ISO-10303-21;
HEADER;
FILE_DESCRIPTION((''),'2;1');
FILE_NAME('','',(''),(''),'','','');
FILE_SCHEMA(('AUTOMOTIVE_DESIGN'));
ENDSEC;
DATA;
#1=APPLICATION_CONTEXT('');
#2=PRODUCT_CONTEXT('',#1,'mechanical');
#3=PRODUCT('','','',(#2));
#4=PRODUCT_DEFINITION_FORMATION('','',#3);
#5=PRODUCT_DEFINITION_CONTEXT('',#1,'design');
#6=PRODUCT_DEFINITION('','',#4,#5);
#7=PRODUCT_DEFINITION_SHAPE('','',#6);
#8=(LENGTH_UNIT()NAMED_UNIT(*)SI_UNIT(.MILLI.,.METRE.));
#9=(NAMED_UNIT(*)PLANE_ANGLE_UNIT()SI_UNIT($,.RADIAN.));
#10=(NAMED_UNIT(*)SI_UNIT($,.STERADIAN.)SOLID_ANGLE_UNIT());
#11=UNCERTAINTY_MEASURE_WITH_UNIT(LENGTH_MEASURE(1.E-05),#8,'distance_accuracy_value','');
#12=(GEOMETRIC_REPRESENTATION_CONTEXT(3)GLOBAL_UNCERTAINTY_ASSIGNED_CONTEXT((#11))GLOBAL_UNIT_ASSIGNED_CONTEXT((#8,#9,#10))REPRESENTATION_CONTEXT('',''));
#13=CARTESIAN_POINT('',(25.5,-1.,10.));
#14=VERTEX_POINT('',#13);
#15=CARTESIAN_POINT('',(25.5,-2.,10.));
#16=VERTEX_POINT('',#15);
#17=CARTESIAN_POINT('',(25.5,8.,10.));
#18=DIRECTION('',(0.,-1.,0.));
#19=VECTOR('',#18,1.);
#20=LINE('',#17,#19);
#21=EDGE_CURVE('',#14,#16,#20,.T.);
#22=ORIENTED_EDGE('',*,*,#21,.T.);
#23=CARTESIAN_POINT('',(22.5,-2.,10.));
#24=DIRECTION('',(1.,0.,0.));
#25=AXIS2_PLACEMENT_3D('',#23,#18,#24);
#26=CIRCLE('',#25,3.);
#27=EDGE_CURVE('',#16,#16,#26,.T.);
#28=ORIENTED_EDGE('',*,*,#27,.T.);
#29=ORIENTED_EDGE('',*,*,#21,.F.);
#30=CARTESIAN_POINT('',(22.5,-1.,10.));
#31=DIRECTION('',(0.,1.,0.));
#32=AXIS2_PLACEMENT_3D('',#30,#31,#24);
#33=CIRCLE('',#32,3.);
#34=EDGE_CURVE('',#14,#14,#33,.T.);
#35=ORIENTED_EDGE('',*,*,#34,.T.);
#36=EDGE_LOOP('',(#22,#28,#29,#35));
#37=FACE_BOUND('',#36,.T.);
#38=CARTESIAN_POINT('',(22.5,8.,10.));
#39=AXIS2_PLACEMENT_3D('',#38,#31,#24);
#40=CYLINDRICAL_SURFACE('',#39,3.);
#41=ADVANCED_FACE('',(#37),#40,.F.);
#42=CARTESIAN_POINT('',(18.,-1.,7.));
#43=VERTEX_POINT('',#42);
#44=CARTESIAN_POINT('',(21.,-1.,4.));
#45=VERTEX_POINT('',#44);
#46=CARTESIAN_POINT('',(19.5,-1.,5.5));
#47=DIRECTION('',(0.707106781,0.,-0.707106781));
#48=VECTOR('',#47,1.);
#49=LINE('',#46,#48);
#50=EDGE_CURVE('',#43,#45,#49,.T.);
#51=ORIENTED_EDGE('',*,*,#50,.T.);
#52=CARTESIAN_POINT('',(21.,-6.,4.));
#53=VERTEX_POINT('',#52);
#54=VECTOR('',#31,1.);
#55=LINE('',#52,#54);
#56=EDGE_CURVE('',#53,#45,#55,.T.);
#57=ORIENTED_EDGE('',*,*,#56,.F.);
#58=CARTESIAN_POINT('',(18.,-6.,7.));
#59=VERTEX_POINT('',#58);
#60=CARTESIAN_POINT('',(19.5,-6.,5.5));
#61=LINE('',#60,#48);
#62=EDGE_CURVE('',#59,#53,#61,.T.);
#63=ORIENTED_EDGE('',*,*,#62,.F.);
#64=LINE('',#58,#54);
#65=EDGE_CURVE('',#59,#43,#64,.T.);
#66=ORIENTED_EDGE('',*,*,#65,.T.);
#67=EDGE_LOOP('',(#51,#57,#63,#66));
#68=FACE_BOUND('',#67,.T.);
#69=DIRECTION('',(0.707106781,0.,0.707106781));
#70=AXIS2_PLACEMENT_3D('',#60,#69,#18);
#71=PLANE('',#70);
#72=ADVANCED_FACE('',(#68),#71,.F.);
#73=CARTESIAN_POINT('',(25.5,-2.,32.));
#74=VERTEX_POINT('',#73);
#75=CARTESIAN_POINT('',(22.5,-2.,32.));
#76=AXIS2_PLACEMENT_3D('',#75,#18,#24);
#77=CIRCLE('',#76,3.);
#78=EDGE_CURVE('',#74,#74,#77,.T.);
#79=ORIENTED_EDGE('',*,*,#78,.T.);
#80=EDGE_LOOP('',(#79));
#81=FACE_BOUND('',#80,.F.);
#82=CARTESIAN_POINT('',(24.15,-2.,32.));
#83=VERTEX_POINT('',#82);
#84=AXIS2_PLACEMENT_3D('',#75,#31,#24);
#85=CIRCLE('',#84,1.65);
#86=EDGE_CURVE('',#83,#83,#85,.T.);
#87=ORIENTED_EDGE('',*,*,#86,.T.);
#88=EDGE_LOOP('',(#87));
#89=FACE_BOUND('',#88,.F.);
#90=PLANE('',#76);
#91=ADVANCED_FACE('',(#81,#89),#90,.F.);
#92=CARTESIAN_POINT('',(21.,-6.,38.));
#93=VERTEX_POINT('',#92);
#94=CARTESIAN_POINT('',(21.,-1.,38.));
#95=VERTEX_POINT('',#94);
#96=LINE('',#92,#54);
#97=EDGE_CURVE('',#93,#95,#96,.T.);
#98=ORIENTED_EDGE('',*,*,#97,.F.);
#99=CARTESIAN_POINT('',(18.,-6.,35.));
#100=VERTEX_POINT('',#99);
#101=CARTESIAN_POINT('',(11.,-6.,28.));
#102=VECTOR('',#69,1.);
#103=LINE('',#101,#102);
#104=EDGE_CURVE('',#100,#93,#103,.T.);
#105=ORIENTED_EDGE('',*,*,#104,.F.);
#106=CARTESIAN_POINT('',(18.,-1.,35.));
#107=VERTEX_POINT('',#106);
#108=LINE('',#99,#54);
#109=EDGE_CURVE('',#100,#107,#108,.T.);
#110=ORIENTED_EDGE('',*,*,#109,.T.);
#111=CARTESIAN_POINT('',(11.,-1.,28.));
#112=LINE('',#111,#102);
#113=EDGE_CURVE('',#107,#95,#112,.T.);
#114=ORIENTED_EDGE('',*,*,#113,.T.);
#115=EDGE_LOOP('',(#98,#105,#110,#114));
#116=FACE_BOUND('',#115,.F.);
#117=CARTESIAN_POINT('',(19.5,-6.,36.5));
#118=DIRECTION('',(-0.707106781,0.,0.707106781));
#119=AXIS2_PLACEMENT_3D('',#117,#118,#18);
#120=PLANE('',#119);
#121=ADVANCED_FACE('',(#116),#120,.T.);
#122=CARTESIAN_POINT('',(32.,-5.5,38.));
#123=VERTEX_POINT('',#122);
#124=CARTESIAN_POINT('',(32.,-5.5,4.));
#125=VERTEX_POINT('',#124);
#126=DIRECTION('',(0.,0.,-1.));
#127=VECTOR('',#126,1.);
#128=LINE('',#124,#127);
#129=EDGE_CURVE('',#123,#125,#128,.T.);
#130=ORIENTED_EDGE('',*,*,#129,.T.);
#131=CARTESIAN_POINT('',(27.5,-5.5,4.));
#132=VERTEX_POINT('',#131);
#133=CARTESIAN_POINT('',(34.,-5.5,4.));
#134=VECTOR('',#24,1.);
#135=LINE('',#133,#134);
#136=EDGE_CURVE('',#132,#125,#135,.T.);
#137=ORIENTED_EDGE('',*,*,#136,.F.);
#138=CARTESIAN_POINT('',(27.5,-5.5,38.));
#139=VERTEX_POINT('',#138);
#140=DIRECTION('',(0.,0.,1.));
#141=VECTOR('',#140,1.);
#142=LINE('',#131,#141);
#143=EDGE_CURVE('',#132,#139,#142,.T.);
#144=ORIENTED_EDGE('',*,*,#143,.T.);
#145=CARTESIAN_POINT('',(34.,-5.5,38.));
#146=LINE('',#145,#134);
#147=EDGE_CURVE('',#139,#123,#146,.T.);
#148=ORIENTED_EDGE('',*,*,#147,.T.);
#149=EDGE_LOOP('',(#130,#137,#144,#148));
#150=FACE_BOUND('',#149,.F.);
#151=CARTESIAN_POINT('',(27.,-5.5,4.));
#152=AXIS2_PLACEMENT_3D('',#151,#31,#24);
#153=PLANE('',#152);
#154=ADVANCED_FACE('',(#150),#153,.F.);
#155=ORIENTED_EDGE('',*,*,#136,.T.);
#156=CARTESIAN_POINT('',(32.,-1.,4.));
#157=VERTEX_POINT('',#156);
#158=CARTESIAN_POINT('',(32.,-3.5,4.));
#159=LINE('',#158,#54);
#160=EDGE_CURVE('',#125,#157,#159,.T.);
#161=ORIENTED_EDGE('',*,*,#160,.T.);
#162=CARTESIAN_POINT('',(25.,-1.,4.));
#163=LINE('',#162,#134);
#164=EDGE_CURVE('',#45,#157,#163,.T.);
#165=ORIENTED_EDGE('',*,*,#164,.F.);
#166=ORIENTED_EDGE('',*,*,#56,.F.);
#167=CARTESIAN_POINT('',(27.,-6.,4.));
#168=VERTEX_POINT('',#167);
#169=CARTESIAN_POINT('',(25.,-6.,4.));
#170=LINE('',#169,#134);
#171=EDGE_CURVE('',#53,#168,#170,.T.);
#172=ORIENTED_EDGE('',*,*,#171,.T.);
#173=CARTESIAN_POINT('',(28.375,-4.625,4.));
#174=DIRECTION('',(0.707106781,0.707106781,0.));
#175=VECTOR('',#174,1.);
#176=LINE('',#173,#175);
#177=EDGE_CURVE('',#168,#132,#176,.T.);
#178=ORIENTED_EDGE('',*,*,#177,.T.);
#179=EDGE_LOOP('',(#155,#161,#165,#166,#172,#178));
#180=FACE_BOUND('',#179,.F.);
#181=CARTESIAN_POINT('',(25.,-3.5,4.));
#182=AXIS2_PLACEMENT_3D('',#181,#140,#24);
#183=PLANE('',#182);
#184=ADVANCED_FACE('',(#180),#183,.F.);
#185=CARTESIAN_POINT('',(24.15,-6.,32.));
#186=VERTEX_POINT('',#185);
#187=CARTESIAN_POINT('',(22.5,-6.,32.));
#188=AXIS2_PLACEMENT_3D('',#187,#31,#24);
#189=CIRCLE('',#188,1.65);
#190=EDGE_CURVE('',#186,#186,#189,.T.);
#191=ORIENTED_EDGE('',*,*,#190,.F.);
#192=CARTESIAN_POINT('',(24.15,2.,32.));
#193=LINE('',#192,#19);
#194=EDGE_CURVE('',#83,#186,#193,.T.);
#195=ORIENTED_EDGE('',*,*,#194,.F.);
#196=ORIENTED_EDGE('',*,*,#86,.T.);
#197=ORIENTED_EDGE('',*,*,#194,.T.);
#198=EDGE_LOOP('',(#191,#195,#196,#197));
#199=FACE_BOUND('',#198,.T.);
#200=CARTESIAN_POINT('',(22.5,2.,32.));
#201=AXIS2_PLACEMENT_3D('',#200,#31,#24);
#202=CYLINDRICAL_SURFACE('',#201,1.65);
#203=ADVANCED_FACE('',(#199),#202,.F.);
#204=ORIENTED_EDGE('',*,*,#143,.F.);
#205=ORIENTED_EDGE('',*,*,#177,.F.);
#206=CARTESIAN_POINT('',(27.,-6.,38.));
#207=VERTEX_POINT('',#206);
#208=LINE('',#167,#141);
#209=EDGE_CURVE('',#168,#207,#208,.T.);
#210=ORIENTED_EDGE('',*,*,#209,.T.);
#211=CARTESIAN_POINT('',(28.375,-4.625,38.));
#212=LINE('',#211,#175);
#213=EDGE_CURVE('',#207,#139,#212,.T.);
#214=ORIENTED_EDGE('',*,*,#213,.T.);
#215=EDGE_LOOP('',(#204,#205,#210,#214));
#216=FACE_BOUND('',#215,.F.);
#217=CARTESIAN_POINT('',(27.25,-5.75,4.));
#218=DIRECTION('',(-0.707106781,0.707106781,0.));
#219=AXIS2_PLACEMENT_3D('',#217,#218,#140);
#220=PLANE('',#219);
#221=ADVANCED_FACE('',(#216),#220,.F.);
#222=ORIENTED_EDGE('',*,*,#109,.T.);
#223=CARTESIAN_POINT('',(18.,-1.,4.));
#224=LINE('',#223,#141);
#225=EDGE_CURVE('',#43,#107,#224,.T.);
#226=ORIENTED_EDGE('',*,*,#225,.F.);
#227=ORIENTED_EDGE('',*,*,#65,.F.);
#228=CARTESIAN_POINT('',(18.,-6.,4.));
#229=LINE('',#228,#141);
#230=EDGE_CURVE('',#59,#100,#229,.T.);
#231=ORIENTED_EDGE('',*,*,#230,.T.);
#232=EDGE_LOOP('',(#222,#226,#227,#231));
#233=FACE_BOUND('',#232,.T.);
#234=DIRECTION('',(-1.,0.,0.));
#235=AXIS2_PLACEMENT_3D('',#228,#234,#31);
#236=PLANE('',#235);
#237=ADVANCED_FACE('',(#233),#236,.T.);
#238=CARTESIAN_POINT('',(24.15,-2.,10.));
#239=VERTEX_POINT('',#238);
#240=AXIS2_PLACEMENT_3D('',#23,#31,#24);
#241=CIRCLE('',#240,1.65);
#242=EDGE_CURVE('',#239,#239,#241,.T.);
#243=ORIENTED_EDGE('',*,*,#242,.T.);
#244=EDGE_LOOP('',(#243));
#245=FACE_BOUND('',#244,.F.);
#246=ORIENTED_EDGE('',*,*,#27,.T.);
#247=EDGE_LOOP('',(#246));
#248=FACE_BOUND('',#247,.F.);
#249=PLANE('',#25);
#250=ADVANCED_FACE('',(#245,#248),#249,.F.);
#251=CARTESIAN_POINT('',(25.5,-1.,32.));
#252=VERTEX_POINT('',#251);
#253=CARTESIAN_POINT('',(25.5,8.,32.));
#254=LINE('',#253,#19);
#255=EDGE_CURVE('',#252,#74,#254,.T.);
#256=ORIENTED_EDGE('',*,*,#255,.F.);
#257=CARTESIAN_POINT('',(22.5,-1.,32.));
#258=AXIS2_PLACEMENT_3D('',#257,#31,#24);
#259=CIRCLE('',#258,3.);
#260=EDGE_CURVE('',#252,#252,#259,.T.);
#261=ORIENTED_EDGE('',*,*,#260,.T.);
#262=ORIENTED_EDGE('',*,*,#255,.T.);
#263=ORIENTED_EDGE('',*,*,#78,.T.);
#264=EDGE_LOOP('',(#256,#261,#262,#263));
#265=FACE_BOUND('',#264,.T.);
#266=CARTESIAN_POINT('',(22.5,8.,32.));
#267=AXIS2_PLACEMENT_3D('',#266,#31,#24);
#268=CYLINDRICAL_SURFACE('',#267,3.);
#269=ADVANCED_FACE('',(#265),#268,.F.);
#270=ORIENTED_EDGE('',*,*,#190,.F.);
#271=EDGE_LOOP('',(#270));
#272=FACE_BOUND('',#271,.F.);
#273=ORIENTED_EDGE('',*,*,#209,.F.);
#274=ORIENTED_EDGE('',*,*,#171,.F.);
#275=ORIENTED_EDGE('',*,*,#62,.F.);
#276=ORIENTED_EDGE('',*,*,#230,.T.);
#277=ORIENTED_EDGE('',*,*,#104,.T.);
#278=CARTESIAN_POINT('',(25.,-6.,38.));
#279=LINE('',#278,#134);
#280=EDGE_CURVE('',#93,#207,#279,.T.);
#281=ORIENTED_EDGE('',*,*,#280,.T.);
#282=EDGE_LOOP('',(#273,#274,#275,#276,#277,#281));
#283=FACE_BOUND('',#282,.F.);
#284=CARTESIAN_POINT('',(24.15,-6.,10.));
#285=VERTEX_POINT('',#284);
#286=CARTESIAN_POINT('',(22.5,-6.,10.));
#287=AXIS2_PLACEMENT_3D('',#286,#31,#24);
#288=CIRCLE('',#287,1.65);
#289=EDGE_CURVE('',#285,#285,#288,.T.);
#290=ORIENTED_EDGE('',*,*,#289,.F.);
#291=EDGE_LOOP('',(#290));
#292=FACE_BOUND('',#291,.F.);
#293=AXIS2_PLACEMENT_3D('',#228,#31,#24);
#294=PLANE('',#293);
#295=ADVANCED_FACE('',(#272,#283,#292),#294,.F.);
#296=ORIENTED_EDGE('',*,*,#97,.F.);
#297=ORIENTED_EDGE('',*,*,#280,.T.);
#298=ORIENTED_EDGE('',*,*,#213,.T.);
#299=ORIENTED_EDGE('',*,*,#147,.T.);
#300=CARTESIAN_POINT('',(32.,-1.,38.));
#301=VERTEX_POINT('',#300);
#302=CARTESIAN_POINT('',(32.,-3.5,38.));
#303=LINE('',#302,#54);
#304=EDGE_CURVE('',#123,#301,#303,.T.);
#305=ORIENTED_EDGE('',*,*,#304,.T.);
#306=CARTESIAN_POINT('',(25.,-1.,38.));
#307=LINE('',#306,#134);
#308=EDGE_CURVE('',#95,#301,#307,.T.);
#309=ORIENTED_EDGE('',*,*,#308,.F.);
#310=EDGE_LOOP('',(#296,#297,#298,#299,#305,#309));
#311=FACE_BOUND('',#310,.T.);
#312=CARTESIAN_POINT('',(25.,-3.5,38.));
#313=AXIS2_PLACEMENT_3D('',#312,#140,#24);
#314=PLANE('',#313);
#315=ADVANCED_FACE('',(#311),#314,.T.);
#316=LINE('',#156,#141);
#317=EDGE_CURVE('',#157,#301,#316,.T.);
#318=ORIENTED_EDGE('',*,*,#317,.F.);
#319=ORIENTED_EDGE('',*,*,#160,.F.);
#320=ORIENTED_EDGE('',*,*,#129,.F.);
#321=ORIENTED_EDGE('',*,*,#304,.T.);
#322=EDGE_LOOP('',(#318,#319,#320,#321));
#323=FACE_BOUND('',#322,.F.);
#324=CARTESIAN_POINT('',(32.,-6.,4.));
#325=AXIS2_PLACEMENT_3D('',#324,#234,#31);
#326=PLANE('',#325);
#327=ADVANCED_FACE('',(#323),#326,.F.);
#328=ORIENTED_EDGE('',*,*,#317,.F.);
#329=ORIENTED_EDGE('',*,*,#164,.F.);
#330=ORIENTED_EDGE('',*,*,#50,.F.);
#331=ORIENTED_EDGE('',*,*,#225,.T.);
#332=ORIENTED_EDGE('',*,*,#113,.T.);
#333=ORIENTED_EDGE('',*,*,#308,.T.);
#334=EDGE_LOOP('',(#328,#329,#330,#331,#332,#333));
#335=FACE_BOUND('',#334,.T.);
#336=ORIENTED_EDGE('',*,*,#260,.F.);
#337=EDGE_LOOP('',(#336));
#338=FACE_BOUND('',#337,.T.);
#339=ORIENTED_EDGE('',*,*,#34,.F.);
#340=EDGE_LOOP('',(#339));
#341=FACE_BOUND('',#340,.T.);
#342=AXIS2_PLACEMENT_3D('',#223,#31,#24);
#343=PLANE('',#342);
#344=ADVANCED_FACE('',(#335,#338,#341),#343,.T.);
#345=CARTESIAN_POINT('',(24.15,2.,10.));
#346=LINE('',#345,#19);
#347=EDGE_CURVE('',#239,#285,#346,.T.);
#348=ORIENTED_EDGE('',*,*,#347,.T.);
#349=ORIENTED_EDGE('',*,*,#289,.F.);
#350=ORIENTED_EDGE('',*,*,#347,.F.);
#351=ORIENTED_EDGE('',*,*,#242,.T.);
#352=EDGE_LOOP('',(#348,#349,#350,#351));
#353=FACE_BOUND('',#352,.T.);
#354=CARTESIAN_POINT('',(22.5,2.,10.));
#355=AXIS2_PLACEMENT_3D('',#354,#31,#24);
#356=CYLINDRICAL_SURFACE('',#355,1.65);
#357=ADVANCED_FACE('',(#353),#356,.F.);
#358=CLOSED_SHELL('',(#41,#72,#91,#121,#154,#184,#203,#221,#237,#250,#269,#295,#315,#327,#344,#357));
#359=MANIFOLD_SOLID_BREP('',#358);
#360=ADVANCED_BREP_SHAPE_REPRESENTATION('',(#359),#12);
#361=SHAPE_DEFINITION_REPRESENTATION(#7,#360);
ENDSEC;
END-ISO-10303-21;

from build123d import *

# Parameters (mm, degrees)
CYLINDER028_R     = 3
CYLINDER028_DEPTH = 10
CYLINDER029_R     = 3
CYLINDER029_DEPTH = 10
CYLINDER011_R     = 1.65
CYLINDER011_DEPTH = 10
CYLINDER012_R     = 1.65
CYLINDER012_DEPTH = 10
BOX007_W          = 14
BOX007_H          = 5
BOX007_DEPTH      = 34
CHAMFER004_SIZE   = 0.5
BOX006_W          = 14
BOX006_H          = 5
BOX006_DEPTH      = 34
CHAMFER005_SIZE   = 3


with BuildPart() as cylinder028:
    # Cylinder028 → Cylinder028 (new body)
    with BuildSketch(Plane(origin=(22.5, 2, 10), x_dir=(1, 0, 0), z_dir=(0, -1, 0))):
        Circle(CYLINDER028_R)
    extrude(amount=CYLINDER028_DEPTH)


with BuildPart() as fusion041004010008013:
    # Cylinder029 → Cylinder029 (new body)
    with BuildSketch(Plane(origin=(22.5, 2, 32), x_dir=(1, 0, 0), z_dir=(0, -1, 0))):
        Circle(CYLINDER029_R)
    extrude(amount=CYLINDER029_DEPTH)

    # Fusion041004010008013: union Cylinder028
    add(cylinder028.part)


with BuildPart() as fusion041004010008013_1:
    # Fusion041004010008013 placement: moved
    add(fusion041004010008013.part.moved(Location((0, 6, 0))))


with BuildPart() as cylinder011:
    # Cylinder011 → Cylinder011 (new body)
    with BuildSketch(Plane(origin=(22.5, 2, 10), x_dir=(1, 0, 0), z_dir=(0, -1, 0))):
        Circle(CYLINDER011_R)
    extrude(amount=CYLINDER011_DEPTH)


with BuildPart() as fusion041004010008015:
    # Cylinder012 → Cylinder012 (new body)
    with BuildSketch(Plane(origin=(22.5, 2, 32), x_dir=(1, 0, 0), z_dir=(0, -1, 0))):
        Circle(CYLINDER012_R)
    extrude(amount=CYLINDER012_DEPTH)

    # Fusion041004010008014: union Cylinder011
    add(cylinder011.part)

    # Fusion041004010008015: union Fusion041004010008013
    add(fusion041004010008013_1.part)


with BuildPart() as chamfer004:
    # Box007 → Box007 (new body)
    with BuildSketch(Plane(origin=(27, -10.5, 4), x_dir=(1, 0, 0), z_dir=(0, 0, 1))):
        with Locations((7, 2.5)):
            Rectangle(BOX007_W, BOX007_H)
    extrude(amount=BOX007_DEPTH)

    # Chamfer004
    chamfer004_edges = [chamfer004.edges().sort_by_distance(p)[0] for p in [
        (27, -5.5, 21),
    ]]
    chamfer(chamfer004_edges, length=CHAMFER004_SIZE)


with BuildPart() as chamfer005:
    # Box006 → Box006 (new body)
    with BuildSketch(Plane(origin=(18, -6, 4), x_dir=(1, 0, 0), z_dir=(0, 0, 1))):
        with Locations((7, 2.5)):
            Rectangle(BOX006_W, BOX006_H)
    extrude(amount=BOX006_DEPTH)

    # Cut001002003017: cut Chamfer004
    add(chamfer004.part, mode=Mode.SUBTRACT)

    # Cut001002003018: cut Fusion041004010008015
    add(fusion041004010008015.part, mode=Mode.SUBTRACT)

    # Chamfer005
    chamfer005_edges = [chamfer005.edges().sort_by_distance(p)[0] for p in [
        (18, -3.5, 38),
        (18, -3.5, 4),
    ]]
    chamfer(chamfer005_edges, length=CHAMFER005_SIZE)


solid = chamfer005.part
